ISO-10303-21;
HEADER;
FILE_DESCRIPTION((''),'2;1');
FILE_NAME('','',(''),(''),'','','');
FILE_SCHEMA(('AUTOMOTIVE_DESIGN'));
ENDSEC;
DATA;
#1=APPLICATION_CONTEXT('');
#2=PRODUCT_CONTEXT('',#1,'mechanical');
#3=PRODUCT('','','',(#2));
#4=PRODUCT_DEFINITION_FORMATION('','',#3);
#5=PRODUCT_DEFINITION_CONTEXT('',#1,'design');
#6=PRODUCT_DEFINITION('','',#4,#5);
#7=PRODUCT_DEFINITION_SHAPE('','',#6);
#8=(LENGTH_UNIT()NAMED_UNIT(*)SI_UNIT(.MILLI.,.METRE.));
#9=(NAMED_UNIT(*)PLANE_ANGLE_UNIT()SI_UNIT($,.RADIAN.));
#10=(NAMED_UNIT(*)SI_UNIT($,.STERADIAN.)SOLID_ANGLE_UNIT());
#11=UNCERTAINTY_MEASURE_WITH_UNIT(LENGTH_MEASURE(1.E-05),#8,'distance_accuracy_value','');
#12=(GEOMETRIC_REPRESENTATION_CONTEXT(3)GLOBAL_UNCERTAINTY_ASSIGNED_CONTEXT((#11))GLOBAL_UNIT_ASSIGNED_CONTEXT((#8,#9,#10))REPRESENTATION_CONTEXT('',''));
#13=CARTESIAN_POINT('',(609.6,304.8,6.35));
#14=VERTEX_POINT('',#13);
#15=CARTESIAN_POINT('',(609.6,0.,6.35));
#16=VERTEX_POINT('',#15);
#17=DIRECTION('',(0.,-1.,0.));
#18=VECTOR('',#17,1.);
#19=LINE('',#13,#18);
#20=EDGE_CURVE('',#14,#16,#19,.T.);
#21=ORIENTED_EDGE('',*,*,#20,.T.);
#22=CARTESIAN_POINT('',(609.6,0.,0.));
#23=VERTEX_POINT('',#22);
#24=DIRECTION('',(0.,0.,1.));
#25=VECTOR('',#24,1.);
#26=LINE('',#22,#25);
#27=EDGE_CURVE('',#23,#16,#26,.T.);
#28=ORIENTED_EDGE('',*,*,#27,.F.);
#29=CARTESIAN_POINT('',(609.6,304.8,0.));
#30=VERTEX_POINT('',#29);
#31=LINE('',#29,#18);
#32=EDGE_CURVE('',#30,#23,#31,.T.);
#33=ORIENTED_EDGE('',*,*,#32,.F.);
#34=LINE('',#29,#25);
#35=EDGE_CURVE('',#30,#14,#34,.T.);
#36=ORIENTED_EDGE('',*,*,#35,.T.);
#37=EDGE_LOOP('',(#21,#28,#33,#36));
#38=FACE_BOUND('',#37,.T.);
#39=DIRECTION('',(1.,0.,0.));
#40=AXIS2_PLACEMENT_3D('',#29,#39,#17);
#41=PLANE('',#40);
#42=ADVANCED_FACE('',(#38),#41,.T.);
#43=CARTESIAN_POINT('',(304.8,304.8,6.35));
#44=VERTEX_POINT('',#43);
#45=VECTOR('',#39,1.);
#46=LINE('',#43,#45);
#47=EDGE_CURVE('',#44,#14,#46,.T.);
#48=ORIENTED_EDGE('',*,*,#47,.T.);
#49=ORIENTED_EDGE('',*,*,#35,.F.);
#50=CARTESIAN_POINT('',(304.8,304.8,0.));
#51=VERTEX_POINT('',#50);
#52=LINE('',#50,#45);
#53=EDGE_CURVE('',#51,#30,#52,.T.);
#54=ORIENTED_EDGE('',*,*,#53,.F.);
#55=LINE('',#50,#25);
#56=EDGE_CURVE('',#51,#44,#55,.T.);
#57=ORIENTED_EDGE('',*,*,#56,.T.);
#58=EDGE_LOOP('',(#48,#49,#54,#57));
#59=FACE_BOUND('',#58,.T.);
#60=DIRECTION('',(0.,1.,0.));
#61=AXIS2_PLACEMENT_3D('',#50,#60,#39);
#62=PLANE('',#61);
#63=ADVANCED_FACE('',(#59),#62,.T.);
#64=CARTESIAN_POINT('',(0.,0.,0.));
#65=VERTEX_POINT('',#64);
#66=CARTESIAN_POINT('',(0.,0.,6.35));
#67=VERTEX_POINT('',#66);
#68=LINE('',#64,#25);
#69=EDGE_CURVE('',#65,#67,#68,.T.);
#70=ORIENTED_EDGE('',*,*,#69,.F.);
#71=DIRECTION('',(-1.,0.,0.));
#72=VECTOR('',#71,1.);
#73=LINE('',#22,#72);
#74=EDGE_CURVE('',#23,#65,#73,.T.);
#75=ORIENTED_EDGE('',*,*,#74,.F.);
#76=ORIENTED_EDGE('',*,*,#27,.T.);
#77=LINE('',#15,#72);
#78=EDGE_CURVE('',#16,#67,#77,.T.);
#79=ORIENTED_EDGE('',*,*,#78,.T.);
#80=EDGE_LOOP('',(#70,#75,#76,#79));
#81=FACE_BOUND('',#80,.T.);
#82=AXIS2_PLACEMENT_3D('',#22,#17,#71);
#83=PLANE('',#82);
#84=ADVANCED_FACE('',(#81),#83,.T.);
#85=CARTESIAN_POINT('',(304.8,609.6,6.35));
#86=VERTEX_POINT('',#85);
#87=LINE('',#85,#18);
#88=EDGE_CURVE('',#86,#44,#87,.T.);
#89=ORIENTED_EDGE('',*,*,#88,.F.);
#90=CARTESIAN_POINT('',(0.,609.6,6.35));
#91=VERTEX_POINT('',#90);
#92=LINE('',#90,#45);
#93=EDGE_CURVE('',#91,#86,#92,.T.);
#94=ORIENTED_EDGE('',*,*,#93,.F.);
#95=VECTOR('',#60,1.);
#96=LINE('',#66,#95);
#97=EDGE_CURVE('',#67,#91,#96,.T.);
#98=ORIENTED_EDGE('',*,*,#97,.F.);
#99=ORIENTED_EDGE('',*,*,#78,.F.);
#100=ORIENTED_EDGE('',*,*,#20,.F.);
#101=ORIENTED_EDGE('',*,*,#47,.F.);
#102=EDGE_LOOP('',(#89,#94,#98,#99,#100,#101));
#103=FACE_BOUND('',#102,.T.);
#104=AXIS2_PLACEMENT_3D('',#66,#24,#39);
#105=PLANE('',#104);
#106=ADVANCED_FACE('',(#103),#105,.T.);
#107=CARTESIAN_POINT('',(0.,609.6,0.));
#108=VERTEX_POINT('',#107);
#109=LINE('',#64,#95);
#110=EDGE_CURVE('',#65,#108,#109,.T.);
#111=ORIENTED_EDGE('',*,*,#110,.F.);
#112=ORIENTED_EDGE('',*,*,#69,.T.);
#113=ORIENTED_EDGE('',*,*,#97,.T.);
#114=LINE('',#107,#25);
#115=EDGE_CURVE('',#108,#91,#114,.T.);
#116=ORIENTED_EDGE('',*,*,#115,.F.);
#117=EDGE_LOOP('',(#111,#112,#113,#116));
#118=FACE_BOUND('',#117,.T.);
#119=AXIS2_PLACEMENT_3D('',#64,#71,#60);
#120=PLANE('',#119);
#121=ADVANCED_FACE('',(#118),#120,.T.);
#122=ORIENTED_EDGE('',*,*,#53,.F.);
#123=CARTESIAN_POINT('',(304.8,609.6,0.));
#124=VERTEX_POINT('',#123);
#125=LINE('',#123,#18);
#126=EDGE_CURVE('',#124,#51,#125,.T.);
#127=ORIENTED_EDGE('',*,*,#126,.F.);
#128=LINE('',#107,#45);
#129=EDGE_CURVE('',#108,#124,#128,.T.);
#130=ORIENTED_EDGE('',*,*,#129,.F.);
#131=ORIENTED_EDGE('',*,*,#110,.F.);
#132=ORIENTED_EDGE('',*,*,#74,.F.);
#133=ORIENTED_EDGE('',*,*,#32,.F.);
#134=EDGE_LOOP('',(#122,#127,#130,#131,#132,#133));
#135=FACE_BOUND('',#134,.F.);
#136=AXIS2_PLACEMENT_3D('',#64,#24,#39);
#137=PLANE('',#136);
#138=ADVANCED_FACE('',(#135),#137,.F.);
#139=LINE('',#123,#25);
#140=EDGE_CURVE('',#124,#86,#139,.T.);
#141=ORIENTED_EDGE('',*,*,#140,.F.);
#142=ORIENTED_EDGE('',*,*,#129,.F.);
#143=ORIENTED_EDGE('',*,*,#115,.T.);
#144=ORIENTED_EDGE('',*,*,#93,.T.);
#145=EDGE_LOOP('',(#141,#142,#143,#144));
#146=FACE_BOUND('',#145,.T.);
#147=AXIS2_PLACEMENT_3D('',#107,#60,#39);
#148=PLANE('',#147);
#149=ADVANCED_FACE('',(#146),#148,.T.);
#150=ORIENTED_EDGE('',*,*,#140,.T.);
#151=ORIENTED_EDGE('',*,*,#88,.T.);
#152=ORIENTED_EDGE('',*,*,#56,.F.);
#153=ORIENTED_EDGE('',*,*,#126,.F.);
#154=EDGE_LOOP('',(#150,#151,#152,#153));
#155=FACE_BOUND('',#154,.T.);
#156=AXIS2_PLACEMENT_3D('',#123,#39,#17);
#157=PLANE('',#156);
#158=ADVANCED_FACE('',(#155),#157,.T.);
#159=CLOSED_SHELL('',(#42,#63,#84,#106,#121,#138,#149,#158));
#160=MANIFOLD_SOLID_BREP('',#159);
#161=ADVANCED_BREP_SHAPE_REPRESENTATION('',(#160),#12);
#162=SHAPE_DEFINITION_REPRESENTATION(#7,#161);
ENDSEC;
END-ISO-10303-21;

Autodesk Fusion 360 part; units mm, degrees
sketch "Sketch1" plane through (0, 0, 0) normal (0, 0, 1) x (1, 0, 0)
  line L0 (0, 0) -> (0, 609.6)
  line L1 (0, 609.6) -> (304.8, 609.6)
  line L2 (304.8, 609.6) -> (304.8, 304.8)
  line L3 (304.8, 304.8) -> (609.6, 304.8)
  line L4 (609.6, 304.8) -> (609.6, 0)
  line L5 (609.6, 0) -> (0, 0)
  dimension "d1" = 304.8
  dimension "d2" = 609.6
  dimension "d3" = 304.8
  dimension "d4" = 609.6
extrude "Extrude1" add sketch "Sketch1" along normal blind 6.35
